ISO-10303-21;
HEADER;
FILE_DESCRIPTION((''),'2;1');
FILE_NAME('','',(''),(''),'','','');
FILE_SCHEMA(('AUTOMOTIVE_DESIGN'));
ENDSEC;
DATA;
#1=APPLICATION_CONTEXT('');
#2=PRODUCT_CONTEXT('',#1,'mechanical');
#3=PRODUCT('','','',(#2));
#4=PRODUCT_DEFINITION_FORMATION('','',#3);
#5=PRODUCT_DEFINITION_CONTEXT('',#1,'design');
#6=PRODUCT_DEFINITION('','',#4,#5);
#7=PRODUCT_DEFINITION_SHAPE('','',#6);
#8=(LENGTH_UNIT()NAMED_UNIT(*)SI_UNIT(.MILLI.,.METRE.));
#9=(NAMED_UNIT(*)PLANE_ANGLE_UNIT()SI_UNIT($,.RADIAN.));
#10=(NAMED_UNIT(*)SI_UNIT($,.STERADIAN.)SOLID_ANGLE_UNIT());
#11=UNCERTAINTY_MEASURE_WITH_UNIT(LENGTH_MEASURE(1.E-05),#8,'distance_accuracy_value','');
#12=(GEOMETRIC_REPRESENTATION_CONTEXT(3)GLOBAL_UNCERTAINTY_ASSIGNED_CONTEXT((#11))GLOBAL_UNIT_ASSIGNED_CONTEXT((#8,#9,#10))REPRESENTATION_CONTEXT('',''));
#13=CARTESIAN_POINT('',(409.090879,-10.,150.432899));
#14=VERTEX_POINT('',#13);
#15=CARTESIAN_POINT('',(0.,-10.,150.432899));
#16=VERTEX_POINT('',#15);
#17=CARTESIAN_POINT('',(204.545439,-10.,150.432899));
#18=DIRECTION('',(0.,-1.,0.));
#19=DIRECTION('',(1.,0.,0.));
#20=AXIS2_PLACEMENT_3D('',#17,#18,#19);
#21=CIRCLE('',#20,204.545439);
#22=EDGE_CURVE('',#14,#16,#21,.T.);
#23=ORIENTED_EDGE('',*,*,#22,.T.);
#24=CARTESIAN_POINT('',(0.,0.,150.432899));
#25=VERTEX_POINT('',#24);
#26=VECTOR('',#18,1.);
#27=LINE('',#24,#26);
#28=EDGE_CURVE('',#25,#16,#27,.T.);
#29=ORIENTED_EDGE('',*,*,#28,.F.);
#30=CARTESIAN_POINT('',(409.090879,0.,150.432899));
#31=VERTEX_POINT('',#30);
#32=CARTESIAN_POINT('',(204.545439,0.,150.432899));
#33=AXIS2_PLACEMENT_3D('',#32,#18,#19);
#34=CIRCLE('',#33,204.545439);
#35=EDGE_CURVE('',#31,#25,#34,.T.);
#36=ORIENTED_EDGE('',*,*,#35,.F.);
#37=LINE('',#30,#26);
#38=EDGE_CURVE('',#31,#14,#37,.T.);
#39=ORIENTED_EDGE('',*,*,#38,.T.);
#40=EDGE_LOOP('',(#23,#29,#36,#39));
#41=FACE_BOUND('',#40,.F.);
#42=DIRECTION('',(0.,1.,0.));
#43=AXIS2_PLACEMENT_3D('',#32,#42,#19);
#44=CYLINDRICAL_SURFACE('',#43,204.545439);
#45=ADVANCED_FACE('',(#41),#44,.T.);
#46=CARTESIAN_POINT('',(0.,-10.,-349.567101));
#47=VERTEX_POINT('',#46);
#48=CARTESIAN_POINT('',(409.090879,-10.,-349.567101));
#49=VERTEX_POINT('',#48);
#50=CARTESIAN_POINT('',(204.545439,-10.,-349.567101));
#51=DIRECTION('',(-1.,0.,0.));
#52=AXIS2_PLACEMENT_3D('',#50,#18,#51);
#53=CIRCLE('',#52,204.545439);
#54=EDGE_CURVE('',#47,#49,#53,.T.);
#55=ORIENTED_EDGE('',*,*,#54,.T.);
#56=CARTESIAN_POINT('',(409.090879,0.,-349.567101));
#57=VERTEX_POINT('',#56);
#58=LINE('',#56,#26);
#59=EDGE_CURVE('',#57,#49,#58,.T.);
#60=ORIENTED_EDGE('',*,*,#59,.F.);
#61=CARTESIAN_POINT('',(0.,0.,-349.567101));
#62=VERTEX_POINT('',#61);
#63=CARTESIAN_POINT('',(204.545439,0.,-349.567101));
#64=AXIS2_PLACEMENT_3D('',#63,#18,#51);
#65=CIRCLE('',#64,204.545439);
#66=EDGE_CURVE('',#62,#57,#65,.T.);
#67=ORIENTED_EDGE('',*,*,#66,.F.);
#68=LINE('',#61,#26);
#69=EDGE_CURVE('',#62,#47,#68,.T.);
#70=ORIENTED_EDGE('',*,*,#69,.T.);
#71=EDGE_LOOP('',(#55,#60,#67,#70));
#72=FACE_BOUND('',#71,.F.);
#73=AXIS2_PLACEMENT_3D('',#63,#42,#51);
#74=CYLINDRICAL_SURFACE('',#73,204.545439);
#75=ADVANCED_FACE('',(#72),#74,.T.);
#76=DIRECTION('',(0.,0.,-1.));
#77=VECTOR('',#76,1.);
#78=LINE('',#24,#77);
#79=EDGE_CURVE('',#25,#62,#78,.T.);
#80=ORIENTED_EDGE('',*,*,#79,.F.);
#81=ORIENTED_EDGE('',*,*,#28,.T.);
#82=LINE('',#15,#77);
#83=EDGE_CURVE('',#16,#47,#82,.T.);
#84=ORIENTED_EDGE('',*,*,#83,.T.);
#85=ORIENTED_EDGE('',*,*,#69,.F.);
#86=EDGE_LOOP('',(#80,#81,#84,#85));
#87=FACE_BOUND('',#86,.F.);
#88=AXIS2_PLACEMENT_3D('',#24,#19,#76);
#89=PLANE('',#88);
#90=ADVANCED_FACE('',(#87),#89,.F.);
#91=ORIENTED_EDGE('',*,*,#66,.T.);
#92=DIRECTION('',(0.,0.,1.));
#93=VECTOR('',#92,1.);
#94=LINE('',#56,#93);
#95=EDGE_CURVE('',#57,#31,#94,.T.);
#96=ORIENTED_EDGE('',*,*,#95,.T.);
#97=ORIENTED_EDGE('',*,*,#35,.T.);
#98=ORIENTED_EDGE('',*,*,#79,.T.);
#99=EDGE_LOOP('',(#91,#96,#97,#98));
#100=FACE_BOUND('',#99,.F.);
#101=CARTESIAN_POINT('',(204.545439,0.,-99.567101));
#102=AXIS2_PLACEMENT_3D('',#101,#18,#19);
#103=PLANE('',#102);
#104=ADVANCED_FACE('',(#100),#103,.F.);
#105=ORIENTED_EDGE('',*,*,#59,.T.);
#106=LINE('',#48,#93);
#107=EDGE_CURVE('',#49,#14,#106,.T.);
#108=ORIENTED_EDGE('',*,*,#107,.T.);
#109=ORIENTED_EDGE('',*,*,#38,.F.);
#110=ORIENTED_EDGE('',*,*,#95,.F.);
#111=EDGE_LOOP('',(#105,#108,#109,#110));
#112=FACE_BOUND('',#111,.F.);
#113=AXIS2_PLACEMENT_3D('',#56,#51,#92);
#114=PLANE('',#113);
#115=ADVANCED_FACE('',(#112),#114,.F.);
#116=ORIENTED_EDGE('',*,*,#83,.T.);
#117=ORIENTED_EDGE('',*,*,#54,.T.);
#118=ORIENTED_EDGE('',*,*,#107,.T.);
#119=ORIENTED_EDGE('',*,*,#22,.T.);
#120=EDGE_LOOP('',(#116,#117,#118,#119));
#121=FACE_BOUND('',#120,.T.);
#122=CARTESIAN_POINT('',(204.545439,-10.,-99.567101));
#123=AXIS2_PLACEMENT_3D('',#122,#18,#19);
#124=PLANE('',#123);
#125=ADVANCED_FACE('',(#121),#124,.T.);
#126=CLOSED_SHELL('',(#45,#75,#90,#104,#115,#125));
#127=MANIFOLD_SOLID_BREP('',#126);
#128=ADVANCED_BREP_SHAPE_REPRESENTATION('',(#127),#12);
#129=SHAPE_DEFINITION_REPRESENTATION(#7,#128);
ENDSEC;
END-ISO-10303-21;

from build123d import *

# Parameters (mm, degrees)
F1_DEPTH = 20
F2_SCALE = 0.5


with BuildPart() as f1:
    # F0 (on Front) → F1 (new body)
    with BuildSketch(Plane.XZ):
        with BuildLine():
            Line((0, 300.8657972591), (0, -699.1342027409))
            ThreePointArc((0, -699.1342027409), (409.0908785291, -1108.22508127), (818.1817570582, -699.1342027409))
            Line((818.1817570582, -699.1342027409), (818.1817570582, 300.8657972591))
            ThreePointArc((818.1817570582, 300.8657972591), (409.0908785291, 709.9566757882), (0, 300.8657972591))
        make_face()
    extrude(amount=F1_DEPTH)


with BuildPart() as f1_1:
    # F2: moved
    add(f1.part.scale(F2_SCALE))


solid = f1_1.part
